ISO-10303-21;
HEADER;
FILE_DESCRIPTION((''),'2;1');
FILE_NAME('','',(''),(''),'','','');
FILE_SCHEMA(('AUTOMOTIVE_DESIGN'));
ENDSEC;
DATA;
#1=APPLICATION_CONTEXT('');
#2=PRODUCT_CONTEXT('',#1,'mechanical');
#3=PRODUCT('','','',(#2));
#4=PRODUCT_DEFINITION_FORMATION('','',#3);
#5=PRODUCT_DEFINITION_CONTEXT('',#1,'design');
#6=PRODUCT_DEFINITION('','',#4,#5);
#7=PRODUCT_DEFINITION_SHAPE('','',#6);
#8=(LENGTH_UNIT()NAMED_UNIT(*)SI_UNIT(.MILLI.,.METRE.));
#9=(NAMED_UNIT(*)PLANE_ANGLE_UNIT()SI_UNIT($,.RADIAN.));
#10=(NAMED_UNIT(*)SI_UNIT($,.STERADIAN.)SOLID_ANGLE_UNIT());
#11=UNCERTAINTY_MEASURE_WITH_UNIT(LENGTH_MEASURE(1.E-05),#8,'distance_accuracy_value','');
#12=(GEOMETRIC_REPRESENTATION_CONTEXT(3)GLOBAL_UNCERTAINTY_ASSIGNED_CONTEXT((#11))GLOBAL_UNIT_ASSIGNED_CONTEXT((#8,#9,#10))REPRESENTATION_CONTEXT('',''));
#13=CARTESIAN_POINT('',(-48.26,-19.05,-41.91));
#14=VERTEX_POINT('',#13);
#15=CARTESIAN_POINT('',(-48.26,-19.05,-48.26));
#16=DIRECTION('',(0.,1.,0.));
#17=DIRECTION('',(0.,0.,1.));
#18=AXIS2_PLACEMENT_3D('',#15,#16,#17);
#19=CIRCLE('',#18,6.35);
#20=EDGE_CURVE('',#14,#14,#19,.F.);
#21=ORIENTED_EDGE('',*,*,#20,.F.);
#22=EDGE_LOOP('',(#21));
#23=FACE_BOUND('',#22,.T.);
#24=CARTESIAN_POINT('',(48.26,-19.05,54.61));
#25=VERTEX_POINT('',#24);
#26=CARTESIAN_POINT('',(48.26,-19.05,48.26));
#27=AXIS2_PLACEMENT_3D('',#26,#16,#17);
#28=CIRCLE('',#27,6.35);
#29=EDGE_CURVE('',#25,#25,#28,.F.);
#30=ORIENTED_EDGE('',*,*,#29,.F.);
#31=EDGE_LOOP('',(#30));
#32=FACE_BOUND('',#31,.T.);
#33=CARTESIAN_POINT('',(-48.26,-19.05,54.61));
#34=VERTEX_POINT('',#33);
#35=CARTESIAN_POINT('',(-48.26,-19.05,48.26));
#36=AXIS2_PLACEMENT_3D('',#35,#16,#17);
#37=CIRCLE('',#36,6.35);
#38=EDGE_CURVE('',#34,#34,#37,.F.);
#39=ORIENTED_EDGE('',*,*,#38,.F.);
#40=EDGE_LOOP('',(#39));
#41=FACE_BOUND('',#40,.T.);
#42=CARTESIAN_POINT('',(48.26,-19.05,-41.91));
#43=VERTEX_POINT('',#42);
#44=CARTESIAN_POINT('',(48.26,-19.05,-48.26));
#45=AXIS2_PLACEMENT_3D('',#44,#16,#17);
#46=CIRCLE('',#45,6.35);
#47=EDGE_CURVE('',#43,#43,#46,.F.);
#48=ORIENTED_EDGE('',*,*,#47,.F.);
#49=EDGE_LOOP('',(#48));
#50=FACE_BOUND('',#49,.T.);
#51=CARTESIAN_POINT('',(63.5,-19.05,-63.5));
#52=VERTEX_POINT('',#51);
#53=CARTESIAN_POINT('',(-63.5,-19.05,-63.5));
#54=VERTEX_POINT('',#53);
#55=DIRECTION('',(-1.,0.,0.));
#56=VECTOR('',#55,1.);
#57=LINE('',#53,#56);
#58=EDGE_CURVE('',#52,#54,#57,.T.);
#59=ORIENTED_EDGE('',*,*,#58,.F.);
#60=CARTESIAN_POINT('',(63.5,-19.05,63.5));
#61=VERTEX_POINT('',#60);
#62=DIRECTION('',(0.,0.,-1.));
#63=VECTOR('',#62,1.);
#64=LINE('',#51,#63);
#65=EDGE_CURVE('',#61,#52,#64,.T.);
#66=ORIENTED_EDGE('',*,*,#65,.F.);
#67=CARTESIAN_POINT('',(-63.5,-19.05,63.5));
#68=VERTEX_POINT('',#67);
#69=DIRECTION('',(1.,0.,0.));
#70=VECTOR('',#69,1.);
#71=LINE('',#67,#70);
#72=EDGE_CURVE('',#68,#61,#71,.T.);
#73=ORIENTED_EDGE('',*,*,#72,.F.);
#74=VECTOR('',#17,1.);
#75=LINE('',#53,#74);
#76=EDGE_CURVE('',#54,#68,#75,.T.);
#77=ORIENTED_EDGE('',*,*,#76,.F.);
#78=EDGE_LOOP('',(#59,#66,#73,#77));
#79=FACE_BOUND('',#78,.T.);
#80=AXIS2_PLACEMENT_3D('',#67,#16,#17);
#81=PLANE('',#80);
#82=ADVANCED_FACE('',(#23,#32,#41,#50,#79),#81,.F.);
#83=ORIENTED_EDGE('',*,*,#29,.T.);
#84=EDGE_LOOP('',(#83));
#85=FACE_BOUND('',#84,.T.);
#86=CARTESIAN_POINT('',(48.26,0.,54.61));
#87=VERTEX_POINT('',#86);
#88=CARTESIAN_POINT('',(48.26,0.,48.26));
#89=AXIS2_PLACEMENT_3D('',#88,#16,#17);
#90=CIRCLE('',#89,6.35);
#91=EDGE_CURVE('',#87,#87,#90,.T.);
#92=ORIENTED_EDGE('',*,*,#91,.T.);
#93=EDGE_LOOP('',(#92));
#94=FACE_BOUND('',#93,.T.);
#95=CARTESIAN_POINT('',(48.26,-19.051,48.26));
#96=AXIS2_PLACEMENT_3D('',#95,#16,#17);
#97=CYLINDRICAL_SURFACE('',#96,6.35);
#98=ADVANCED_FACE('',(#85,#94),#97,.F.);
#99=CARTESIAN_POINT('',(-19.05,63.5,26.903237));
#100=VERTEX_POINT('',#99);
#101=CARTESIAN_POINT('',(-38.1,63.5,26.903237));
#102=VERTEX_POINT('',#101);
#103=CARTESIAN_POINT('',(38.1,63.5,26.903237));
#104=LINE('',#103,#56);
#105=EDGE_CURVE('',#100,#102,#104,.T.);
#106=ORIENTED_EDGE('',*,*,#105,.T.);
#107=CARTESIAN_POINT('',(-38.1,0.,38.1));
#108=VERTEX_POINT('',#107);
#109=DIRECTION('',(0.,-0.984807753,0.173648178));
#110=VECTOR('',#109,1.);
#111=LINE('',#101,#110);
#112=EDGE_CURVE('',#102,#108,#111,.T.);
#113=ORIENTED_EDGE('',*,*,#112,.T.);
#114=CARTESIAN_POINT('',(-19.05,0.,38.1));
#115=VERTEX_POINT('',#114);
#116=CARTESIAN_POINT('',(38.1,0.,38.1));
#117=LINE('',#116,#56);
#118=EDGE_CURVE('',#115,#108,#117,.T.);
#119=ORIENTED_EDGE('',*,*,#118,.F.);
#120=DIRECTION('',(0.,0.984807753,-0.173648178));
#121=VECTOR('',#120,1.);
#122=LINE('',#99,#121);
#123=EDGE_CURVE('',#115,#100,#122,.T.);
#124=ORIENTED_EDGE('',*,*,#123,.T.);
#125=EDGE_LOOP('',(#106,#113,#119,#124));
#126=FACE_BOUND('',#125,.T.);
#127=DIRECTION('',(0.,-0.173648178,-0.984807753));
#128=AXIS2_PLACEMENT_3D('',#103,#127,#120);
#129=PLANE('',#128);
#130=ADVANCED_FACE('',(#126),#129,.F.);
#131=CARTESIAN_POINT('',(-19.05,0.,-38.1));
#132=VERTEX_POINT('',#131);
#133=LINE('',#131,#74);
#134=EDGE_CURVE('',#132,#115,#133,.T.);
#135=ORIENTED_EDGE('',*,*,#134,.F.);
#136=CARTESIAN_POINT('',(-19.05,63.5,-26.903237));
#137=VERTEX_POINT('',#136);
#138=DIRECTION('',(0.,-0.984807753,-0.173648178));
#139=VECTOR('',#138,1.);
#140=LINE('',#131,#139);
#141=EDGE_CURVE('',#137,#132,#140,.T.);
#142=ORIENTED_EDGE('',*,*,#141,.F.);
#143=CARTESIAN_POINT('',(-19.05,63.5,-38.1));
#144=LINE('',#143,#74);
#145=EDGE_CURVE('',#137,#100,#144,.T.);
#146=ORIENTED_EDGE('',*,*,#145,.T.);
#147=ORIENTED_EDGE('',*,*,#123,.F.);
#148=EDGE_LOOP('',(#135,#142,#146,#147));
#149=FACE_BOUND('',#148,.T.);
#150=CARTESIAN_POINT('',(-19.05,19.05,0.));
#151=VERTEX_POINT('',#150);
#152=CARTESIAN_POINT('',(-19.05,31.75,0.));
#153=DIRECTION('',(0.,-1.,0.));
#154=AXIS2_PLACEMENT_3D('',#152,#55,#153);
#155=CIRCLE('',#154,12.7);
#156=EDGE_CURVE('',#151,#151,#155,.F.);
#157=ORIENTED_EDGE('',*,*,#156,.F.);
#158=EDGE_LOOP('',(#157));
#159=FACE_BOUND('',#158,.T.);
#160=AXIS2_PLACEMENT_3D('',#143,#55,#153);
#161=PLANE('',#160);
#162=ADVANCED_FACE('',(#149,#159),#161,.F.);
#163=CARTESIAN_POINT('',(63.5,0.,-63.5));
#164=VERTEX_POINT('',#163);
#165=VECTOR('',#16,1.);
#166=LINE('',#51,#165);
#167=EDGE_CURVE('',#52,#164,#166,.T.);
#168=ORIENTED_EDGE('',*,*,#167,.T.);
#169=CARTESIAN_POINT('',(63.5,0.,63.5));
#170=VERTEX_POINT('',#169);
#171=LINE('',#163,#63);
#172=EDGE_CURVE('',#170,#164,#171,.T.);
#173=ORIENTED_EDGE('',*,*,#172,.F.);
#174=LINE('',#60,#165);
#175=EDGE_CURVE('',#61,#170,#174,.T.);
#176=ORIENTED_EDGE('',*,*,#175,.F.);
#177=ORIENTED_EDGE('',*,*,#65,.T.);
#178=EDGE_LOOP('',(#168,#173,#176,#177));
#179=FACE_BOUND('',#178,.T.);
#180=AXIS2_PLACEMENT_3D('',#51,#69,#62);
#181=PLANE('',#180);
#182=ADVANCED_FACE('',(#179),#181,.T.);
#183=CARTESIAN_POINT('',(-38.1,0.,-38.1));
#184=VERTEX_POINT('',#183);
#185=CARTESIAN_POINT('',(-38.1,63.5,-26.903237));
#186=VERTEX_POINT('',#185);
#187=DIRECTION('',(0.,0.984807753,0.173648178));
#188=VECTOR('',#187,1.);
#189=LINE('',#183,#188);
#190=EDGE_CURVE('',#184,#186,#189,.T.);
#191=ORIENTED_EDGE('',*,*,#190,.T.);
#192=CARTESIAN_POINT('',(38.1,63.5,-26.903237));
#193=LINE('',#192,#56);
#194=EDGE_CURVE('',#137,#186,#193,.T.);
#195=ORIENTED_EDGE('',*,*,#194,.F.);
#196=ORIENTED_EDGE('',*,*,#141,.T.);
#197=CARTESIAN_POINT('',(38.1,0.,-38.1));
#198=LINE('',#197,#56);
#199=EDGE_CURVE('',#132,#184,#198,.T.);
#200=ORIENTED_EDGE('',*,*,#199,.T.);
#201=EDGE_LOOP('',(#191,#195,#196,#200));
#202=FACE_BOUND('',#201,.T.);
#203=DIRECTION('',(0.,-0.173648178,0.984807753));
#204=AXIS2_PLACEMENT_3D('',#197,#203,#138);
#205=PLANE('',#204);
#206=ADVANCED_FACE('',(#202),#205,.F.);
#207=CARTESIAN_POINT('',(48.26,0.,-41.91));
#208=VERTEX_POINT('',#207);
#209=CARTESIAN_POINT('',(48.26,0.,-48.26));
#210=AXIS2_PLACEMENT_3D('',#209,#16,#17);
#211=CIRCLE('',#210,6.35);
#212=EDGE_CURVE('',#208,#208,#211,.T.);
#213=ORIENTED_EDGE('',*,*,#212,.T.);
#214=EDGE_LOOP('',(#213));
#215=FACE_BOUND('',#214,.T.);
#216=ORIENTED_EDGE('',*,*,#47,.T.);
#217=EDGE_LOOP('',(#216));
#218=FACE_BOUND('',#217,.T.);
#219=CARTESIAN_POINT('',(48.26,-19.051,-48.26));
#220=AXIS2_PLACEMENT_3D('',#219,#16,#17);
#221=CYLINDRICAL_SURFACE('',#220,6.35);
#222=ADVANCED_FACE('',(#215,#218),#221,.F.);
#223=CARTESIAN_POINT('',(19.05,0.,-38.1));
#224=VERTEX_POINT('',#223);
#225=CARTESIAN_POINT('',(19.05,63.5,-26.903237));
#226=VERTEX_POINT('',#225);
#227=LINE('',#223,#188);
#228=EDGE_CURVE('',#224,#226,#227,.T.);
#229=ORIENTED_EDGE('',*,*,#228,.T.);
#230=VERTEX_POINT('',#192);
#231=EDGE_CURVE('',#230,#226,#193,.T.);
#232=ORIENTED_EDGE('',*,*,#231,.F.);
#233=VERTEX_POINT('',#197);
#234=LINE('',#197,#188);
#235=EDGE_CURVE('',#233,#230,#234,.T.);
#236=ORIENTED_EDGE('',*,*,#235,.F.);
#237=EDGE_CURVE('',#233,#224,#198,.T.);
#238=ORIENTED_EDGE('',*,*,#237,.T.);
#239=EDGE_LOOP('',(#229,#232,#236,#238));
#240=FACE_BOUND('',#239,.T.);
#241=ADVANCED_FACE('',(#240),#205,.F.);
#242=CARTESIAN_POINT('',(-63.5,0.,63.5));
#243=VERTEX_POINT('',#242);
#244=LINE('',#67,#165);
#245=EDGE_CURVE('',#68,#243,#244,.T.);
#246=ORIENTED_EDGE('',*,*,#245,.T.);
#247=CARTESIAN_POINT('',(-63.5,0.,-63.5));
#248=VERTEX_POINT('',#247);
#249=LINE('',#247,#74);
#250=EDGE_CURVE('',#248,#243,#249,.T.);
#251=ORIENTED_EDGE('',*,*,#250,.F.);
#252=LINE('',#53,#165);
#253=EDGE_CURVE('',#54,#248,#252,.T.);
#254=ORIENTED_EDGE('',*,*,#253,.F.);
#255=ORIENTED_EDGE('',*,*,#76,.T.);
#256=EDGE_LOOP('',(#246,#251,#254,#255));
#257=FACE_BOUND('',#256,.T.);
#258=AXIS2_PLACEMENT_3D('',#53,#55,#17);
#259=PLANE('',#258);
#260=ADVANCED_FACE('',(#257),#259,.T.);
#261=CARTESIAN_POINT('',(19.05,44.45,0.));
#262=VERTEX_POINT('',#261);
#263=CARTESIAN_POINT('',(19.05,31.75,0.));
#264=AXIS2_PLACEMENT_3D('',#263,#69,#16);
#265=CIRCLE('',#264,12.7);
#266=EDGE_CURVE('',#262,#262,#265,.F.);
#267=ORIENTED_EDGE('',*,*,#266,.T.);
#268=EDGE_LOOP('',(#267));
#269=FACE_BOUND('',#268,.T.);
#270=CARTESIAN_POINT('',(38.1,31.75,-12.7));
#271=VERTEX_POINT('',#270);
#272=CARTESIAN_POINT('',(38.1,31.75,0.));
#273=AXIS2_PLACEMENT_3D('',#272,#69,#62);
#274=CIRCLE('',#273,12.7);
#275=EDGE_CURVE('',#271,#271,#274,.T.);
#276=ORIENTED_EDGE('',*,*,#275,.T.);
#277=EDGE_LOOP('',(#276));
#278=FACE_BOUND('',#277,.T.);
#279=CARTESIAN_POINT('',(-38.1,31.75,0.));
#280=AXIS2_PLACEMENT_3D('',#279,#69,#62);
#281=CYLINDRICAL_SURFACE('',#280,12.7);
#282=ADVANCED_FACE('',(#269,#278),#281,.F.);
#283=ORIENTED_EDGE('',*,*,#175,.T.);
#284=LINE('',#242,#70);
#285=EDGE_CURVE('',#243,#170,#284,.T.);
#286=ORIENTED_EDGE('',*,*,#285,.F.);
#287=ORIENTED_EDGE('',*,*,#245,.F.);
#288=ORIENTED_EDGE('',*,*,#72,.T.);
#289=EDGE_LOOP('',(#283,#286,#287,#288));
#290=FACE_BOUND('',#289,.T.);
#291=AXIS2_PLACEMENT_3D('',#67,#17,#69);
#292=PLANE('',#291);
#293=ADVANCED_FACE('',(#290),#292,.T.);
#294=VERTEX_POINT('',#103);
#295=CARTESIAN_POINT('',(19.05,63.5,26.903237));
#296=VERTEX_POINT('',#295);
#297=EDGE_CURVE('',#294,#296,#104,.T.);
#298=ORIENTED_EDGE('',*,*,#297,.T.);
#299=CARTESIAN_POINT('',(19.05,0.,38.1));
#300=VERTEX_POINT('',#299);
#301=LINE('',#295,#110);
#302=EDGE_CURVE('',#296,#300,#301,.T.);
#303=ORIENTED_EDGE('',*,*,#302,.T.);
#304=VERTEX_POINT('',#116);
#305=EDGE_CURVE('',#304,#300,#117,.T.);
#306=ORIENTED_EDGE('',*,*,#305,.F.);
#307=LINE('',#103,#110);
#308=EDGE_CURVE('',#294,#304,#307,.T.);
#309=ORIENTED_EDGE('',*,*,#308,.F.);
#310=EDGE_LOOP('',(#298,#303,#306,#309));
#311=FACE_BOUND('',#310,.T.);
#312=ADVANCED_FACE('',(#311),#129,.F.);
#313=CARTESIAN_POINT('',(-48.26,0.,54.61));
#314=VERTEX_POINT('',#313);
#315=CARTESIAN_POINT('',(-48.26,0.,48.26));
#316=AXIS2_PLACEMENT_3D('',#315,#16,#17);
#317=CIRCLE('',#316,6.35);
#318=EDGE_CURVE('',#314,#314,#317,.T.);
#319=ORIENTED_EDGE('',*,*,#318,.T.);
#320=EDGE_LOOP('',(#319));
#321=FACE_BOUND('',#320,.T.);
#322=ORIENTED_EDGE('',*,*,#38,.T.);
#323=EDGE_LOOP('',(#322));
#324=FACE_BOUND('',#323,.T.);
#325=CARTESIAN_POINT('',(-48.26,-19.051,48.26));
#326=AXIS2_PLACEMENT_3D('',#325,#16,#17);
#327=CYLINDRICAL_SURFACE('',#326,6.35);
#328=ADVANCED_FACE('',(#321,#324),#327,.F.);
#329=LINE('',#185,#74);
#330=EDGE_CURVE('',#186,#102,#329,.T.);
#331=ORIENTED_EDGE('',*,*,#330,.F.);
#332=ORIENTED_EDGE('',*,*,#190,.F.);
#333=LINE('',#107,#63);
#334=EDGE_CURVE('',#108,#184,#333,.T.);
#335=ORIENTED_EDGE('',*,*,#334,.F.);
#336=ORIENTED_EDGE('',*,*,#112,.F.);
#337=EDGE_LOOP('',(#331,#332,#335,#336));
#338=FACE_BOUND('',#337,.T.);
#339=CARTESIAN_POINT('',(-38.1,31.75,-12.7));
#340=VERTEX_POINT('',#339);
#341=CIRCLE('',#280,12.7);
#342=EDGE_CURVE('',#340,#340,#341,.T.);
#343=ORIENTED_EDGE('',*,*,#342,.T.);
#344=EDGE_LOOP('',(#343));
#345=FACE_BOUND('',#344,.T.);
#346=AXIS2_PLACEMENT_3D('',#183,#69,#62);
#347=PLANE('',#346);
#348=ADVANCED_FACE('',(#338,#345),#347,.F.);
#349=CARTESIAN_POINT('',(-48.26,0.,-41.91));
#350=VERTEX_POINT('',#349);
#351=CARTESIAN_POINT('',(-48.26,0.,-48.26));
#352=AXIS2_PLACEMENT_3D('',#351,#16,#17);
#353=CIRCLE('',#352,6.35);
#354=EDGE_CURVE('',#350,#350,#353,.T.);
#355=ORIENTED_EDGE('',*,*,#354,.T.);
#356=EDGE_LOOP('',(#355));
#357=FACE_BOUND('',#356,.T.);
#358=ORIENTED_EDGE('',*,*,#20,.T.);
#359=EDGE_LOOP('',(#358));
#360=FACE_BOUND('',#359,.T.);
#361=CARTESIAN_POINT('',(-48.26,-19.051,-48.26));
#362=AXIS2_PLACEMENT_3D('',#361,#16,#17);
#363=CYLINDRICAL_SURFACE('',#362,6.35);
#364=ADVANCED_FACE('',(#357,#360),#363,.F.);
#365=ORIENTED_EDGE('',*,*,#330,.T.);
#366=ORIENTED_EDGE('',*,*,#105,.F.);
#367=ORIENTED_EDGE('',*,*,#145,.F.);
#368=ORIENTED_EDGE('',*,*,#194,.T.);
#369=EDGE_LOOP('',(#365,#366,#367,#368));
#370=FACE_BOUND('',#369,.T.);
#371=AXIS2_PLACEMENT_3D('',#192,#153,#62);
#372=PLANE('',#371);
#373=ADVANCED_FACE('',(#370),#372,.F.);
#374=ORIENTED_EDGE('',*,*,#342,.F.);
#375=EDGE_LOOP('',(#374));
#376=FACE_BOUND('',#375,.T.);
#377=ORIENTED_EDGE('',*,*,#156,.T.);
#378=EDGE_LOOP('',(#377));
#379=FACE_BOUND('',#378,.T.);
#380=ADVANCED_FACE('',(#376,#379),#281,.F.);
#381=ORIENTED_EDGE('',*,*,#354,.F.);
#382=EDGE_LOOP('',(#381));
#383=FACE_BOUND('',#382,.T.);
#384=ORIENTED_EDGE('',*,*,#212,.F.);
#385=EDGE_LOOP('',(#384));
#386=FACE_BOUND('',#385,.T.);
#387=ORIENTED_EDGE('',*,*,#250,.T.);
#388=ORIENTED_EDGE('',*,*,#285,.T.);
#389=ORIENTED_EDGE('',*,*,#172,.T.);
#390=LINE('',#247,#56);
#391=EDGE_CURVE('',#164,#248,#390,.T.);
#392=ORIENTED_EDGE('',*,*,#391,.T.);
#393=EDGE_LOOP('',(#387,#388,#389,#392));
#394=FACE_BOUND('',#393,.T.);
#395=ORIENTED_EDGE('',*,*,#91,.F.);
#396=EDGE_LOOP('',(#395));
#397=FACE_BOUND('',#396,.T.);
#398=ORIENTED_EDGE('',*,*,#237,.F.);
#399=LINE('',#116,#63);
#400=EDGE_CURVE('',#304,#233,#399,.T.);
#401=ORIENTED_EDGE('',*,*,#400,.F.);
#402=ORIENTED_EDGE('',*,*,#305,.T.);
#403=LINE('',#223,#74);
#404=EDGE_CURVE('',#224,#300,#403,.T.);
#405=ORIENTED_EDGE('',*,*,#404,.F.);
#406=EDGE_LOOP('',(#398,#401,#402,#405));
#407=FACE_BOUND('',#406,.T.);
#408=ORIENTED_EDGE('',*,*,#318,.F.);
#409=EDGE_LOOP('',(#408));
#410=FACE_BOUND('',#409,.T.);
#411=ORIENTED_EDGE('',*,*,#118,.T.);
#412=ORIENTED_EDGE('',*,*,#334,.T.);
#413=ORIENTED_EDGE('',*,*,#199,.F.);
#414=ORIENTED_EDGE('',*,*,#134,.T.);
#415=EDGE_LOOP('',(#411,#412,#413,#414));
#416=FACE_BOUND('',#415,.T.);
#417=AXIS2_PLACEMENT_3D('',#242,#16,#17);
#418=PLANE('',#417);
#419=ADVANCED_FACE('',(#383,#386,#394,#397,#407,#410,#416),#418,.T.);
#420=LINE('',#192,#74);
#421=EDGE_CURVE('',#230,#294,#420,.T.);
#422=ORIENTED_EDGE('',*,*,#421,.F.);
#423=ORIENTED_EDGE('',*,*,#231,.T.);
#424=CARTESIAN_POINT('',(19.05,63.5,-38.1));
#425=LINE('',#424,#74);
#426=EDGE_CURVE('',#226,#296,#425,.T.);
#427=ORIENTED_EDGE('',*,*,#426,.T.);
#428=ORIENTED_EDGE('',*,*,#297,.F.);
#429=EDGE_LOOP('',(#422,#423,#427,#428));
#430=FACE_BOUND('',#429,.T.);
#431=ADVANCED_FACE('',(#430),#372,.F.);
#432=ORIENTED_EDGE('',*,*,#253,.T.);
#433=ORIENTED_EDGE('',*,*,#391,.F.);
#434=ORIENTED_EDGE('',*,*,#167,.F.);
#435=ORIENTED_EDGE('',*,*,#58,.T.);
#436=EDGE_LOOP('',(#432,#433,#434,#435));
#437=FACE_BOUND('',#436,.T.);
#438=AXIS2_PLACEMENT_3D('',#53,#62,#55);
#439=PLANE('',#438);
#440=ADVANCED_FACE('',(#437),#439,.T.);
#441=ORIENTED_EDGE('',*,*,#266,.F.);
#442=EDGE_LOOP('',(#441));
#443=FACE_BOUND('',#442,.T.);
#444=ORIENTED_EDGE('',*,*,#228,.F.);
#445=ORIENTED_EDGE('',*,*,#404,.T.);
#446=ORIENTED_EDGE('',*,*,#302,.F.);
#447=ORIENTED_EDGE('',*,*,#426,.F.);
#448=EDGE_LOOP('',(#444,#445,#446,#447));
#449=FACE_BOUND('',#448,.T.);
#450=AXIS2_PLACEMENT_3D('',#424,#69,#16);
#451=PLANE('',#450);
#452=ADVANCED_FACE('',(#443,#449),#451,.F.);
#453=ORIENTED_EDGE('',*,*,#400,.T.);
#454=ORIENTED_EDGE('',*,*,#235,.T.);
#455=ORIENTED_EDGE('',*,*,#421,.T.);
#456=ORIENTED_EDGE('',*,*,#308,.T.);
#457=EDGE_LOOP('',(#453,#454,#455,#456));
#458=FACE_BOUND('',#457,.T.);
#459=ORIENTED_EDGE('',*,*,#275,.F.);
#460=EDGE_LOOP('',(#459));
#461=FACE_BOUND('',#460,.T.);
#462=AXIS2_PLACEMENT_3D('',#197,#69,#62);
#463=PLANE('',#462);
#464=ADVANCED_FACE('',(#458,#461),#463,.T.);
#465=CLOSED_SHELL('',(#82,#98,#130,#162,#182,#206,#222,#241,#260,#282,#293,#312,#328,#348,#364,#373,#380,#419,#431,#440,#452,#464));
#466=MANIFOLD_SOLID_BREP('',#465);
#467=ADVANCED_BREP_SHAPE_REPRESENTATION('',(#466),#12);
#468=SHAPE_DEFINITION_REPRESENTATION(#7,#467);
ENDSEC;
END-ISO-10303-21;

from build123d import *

# Parameters (mm, degrees)
SKETCH1_W          = 127
SKETCH1_H          = 127
EXTRUDE1_DEPTH     = 19.05
EXTRUDE2_DEPTH     = 38.1
SKETCH3_R          = 12.7
CUT_EXTRUDE1_DEPTH = 38.1
SKETCH4_W          = 38.1
SKETCH4_H          = 63.5
CUT_EXTRUDE2_DEPTH = 38.1
CUT_EXTRUDE3_REACH = 21.05
SKETCH5_R          = 6.35
CUT_EXTRUDE4_REACH = 21.05
SKETCH6_R          = 6.35
CUT_EXTRUDE5_REACH = 21.05
SKETCH8_R          = 6.35


with BuildPart() as part:
    # Sketch1 → Extrude1 (new body)
    with BuildSketch(Plane(origin=(0, 0, 0), x_dir=(1, 0, 0), z_dir=(0, 1, 0))):
        Rectangle(SKETCH1_W, SKETCH1_H)
    extrude(amount=-EXTRUDE1_DEPTH)

    # Sketch2 → Extrude2 (add, symmetric)
    with BuildSketch(Plane(origin=(0, 0, 0), x_dir=(0, 0, -1), z_dir=(1, 0, 0))):
        Polygon((38.1, 0), (26.903236725, 63.5), (-26.903236725, 63.5), (-38.1, 0), align=None)
    extrude(amount=EXTRUDE2_DEPTH, both=True)

    # Sketch3 → Cut-Extrude1 (cut, symmetric)
    with BuildSketch(Plane(origin=(0, 0, 0), x_dir=(0, 0, -1), z_dir=(1, 0, 0))):
        with Locations((0, 31.75)):
            Circle(SKETCH3_R)
    extrude(amount=CUT_EXTRUDE1_DEPTH, both=True, mode=Mode.SUBTRACT)

    # Sketch4 → Cut-Extrude2 (cut, symmetric)
    with BuildSketch(Plane.XY):
        with Locations((0, 31.75)):
            Rectangle(SKETCH4_W, SKETCH4_H)
    extrude(amount=CUT_EXTRUDE2_DEPTH, both=True, mode=Mode.SUBTRACT)

    # Sketch5 → Cut-Extrude3 (cut, up to next)
    with BuildSketch(Plane(origin=(0, 0, 0), x_dir=(1, 0, 0), z_dir=(0, 1, 0)), mode=Mode.PRIVATE) as cut_extrude3_sk1:
        with Locations((-48.26, 48.26)):
            Circle(SKETCH5_R)
    cut_extrude3_tool1 = extrude(cut_extrude3_sk1.sketch, amount=-CUT_EXTRUDE3_REACH, mode=Mode.PRIVATE) & part.part
    add(cut_extrude3_tool1.solids().sort_by_distance((-48.26, 0, -48.26))[0], mode=Mode.SUBTRACT)

    # Sketch6 → Cut-Extrude4 (cut, up to next)
    with BuildSketch(Plane(origin=(0, 0, 0), x_dir=(1, 0, 0), z_dir=(0, 1, 0)), mode=Mode.PRIVATE) as cut_extrude4_sk1:
        with Locations((48.26, 48.26)):
            Circle(SKETCH6_R)
    cut_extrude4_tool1 = extrude(cut_extrude4_sk1.sketch, amount=-CUT_EXTRUDE4_REACH, mode=Mode.PRIVATE) & part.part
    add(cut_extrude4_tool1.solids().sort_by_distance((48.26, 0, -48.26))[0], mode=Mode.SUBTRACT)

    # Sketch8 → Cut-Extrude5 (cut, up to next)
    with BuildSketch(Plane(origin=(0, 0, 0), x_dir=(1, 0, 0), z_dir=(0, 1, 0)), mode=Mode.PRIVATE) as cut_extrude5_sk1:
        with Locations((-48.26, -48.26)):
            Circle(SKETCH8_R)
    cut_extrude5_tool1 = extrude(cut_extrude5_sk1.sketch, amount=-CUT_EXTRUDE5_REACH, mode=Mode.PRIVATE) & part.part
    add(cut_extrude5_tool1.solids().sort_by_distance((-48.26, 0, 48.26))[0], mode=Mode.SUBTRACT)
    # Sketch8 → Cut-Extrude5 (cut, up to next)
    with BuildSketch(Plane(origin=(0, 0, 0), x_dir=(1, 0, 0), z_dir=(0, 1, 0)), mode=Mode.PRIVATE) as cut_extrude5_sk2:
        with Locations((48.26, -48.26)):
            Circle(SKETCH8_R)
    cut_extrude5_tool2 = extrude(cut_extrude5_sk2.sketch, amount=-CUT_EXTRUDE5_REACH, mode=Mode.PRIVATE) & part.part
    add(cut_extrude5_tool2.solids().sort_by_distance((48.26, 0, 48.26))[0], mode=Mode.SUBTRACT)


solid = part.part
